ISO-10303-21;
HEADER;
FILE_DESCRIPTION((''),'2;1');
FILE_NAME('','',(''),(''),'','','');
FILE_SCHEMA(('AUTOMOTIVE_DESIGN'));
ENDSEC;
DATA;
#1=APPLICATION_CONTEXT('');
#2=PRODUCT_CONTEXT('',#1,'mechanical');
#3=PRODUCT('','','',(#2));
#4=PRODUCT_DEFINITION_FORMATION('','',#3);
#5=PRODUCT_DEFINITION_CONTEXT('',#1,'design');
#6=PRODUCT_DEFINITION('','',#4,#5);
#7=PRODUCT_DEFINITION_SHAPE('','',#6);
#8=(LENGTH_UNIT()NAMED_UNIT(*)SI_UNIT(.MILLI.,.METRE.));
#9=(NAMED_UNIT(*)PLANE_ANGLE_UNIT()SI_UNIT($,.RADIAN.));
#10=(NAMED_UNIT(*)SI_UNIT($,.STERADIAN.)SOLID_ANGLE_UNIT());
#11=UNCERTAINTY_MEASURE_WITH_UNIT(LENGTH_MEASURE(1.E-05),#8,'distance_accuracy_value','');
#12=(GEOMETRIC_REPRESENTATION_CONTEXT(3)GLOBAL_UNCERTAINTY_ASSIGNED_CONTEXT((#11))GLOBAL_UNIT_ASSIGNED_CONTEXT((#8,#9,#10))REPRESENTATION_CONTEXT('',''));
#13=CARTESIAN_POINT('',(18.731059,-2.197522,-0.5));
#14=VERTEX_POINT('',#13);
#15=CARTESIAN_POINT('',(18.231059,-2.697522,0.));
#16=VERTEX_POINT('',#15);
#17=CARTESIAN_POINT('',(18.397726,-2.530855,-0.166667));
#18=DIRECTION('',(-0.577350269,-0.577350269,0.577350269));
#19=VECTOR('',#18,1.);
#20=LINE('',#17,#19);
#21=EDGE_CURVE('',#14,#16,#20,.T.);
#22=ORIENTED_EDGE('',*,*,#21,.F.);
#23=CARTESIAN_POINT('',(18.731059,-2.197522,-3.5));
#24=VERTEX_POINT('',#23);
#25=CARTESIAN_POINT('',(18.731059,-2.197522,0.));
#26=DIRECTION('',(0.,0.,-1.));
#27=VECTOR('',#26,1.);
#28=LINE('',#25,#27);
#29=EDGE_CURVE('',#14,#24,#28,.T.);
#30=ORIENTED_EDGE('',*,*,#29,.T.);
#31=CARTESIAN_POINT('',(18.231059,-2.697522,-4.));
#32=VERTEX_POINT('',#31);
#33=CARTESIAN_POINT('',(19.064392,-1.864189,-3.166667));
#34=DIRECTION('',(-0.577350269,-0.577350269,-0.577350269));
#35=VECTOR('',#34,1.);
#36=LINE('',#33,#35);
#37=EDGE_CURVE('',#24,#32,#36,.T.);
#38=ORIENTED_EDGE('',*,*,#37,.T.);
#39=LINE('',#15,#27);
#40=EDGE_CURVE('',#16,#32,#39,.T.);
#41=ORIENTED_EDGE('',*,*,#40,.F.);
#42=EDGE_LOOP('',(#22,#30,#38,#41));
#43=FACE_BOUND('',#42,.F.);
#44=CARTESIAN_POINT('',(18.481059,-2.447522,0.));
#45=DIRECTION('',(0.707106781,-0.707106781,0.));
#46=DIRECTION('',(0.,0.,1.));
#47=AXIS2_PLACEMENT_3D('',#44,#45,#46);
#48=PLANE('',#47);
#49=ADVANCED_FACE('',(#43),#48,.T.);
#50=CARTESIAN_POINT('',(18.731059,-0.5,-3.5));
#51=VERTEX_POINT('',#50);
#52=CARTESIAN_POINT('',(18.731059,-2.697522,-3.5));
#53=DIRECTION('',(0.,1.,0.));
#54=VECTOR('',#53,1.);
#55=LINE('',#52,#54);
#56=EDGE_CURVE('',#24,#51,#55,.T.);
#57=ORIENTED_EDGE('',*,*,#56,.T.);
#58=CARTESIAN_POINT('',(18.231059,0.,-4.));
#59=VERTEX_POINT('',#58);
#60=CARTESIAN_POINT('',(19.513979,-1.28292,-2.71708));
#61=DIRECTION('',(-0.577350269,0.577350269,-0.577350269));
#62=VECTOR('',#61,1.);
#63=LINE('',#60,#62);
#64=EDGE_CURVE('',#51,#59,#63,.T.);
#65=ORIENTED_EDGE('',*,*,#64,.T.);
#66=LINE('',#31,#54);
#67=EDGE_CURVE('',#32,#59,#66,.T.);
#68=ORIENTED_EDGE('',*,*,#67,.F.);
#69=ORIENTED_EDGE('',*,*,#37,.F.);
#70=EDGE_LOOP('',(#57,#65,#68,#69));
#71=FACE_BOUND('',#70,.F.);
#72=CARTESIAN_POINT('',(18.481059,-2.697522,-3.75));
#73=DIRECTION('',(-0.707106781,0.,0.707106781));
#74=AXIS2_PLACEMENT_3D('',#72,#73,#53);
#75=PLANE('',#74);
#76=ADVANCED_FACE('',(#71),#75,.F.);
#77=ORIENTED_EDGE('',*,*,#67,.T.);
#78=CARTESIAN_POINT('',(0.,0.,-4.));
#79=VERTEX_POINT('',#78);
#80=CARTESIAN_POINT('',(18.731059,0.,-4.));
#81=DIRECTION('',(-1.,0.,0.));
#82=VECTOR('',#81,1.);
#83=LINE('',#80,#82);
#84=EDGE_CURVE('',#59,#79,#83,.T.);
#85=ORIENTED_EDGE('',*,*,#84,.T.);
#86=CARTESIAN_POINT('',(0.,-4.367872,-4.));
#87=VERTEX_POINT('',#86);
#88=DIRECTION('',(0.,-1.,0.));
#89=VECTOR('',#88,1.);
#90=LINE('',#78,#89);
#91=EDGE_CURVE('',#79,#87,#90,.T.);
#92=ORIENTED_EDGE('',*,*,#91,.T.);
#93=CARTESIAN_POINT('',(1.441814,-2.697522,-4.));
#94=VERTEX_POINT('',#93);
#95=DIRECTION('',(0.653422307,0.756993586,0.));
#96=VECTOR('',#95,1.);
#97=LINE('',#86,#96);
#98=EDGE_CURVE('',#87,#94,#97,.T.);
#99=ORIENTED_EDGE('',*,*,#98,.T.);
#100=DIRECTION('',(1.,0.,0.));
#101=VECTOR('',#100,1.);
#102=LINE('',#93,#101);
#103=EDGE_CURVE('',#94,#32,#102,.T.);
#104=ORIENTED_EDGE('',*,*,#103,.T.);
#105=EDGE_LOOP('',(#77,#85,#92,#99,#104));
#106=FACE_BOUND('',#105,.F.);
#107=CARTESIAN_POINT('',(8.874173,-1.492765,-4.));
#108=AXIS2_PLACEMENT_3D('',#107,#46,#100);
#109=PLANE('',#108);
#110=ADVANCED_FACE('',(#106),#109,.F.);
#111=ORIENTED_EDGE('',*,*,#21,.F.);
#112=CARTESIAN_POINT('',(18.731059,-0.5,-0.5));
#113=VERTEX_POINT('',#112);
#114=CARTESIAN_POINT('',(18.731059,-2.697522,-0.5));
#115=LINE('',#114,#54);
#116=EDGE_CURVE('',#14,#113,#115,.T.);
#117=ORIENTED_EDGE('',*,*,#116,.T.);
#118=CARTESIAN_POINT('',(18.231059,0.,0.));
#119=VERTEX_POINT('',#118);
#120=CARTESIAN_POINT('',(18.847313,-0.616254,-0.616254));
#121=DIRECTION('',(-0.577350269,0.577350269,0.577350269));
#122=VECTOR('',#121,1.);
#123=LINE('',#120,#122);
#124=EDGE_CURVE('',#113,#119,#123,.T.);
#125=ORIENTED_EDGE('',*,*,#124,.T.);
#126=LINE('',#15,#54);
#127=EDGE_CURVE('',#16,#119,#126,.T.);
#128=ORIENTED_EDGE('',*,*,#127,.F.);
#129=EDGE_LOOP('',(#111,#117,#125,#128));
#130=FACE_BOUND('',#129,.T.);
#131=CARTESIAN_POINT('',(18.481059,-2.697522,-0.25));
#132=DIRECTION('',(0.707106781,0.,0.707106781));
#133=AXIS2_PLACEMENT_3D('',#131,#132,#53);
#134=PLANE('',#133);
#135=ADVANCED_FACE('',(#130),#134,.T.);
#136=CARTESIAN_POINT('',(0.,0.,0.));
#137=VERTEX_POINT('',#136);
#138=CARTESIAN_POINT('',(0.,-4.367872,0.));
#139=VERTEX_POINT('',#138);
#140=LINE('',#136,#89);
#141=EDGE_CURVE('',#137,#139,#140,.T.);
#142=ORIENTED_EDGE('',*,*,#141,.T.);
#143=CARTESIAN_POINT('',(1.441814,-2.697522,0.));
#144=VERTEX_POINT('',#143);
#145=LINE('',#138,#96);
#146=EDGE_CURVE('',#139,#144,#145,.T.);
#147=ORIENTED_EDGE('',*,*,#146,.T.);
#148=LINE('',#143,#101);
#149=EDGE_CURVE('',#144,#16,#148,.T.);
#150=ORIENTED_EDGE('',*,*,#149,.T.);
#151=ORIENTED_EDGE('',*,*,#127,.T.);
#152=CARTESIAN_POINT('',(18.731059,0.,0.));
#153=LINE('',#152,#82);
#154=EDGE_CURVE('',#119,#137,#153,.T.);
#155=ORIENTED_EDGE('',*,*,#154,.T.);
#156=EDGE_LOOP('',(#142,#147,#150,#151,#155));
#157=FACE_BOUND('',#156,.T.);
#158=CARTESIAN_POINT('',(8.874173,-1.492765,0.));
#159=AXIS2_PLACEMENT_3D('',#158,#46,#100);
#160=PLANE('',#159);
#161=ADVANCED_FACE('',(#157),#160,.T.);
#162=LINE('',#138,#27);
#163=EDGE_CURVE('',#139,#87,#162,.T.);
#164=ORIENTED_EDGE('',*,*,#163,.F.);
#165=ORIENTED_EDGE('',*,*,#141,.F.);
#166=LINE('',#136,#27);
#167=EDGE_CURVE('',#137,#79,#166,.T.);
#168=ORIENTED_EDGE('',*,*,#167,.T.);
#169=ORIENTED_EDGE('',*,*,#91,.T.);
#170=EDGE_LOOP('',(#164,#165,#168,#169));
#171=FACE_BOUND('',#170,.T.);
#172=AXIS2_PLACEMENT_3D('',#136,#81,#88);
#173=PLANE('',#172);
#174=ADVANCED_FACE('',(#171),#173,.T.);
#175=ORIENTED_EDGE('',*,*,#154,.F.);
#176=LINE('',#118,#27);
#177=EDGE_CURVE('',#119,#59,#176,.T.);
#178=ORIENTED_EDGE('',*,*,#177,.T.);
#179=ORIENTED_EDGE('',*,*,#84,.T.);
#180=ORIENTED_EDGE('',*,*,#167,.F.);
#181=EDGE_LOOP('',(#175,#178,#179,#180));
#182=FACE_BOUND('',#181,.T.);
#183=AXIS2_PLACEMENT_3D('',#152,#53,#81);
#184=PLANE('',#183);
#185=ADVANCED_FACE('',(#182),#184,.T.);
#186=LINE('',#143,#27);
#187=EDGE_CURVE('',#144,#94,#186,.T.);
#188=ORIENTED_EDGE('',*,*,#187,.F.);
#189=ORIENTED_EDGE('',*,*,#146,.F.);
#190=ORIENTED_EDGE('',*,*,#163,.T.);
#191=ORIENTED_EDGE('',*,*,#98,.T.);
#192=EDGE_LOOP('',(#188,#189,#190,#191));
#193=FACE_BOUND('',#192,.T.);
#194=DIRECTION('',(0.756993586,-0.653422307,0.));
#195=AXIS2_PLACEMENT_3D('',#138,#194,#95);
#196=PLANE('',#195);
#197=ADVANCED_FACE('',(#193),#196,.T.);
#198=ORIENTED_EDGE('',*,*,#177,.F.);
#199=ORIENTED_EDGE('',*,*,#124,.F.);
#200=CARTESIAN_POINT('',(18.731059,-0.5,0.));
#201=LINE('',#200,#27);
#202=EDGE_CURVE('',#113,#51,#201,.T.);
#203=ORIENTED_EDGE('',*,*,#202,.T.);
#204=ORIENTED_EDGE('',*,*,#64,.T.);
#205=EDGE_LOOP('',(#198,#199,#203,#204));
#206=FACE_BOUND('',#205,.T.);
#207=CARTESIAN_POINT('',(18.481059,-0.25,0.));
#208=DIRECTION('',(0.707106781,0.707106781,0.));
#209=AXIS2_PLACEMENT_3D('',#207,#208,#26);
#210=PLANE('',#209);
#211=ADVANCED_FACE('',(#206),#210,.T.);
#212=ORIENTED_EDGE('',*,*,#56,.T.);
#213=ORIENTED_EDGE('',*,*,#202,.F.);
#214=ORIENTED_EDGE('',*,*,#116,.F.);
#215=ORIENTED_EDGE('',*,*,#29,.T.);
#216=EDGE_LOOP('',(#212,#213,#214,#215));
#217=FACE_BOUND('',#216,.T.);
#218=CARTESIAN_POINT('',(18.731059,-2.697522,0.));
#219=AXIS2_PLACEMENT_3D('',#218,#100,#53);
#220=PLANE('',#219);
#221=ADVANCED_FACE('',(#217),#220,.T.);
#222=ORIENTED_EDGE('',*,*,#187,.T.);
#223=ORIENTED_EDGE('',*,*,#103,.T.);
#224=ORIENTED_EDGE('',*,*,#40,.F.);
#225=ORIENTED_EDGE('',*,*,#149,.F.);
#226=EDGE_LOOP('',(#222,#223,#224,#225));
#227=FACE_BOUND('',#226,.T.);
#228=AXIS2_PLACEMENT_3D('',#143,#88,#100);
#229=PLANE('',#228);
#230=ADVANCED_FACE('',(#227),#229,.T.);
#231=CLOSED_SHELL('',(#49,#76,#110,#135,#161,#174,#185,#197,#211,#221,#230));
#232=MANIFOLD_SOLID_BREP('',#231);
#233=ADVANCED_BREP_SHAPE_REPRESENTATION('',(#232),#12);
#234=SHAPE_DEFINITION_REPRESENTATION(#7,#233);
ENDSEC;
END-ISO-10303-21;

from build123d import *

# Parameters (mm, degrees)
F1_DEPTH = 4
F2_SIZE  = 0.5


with BuildPart() as f1:
    # F0 (on Top) → F1 (new body)
    with BuildSketch(Plane.XY):
        Polygon((18.731059, -2.697522), (18.731059, 0), (0, 0), (0, -4.367872), (1.441814, -2.697522), align=None)
    extrude(amount=-F1_DEPTH)

    # F2
    f2_edges = [f1.edges().sort_by_distance(p)[0] for p in [
        (18.731059, -2.697522, -2),
        (18.731059, -1.348761, 0),
        (18.731059, 0, -2),
        (18.731059, -1.348761, -4),
    ]]
    chamfer(f2_edges, length=F2_SIZE)


solid = f1.part
